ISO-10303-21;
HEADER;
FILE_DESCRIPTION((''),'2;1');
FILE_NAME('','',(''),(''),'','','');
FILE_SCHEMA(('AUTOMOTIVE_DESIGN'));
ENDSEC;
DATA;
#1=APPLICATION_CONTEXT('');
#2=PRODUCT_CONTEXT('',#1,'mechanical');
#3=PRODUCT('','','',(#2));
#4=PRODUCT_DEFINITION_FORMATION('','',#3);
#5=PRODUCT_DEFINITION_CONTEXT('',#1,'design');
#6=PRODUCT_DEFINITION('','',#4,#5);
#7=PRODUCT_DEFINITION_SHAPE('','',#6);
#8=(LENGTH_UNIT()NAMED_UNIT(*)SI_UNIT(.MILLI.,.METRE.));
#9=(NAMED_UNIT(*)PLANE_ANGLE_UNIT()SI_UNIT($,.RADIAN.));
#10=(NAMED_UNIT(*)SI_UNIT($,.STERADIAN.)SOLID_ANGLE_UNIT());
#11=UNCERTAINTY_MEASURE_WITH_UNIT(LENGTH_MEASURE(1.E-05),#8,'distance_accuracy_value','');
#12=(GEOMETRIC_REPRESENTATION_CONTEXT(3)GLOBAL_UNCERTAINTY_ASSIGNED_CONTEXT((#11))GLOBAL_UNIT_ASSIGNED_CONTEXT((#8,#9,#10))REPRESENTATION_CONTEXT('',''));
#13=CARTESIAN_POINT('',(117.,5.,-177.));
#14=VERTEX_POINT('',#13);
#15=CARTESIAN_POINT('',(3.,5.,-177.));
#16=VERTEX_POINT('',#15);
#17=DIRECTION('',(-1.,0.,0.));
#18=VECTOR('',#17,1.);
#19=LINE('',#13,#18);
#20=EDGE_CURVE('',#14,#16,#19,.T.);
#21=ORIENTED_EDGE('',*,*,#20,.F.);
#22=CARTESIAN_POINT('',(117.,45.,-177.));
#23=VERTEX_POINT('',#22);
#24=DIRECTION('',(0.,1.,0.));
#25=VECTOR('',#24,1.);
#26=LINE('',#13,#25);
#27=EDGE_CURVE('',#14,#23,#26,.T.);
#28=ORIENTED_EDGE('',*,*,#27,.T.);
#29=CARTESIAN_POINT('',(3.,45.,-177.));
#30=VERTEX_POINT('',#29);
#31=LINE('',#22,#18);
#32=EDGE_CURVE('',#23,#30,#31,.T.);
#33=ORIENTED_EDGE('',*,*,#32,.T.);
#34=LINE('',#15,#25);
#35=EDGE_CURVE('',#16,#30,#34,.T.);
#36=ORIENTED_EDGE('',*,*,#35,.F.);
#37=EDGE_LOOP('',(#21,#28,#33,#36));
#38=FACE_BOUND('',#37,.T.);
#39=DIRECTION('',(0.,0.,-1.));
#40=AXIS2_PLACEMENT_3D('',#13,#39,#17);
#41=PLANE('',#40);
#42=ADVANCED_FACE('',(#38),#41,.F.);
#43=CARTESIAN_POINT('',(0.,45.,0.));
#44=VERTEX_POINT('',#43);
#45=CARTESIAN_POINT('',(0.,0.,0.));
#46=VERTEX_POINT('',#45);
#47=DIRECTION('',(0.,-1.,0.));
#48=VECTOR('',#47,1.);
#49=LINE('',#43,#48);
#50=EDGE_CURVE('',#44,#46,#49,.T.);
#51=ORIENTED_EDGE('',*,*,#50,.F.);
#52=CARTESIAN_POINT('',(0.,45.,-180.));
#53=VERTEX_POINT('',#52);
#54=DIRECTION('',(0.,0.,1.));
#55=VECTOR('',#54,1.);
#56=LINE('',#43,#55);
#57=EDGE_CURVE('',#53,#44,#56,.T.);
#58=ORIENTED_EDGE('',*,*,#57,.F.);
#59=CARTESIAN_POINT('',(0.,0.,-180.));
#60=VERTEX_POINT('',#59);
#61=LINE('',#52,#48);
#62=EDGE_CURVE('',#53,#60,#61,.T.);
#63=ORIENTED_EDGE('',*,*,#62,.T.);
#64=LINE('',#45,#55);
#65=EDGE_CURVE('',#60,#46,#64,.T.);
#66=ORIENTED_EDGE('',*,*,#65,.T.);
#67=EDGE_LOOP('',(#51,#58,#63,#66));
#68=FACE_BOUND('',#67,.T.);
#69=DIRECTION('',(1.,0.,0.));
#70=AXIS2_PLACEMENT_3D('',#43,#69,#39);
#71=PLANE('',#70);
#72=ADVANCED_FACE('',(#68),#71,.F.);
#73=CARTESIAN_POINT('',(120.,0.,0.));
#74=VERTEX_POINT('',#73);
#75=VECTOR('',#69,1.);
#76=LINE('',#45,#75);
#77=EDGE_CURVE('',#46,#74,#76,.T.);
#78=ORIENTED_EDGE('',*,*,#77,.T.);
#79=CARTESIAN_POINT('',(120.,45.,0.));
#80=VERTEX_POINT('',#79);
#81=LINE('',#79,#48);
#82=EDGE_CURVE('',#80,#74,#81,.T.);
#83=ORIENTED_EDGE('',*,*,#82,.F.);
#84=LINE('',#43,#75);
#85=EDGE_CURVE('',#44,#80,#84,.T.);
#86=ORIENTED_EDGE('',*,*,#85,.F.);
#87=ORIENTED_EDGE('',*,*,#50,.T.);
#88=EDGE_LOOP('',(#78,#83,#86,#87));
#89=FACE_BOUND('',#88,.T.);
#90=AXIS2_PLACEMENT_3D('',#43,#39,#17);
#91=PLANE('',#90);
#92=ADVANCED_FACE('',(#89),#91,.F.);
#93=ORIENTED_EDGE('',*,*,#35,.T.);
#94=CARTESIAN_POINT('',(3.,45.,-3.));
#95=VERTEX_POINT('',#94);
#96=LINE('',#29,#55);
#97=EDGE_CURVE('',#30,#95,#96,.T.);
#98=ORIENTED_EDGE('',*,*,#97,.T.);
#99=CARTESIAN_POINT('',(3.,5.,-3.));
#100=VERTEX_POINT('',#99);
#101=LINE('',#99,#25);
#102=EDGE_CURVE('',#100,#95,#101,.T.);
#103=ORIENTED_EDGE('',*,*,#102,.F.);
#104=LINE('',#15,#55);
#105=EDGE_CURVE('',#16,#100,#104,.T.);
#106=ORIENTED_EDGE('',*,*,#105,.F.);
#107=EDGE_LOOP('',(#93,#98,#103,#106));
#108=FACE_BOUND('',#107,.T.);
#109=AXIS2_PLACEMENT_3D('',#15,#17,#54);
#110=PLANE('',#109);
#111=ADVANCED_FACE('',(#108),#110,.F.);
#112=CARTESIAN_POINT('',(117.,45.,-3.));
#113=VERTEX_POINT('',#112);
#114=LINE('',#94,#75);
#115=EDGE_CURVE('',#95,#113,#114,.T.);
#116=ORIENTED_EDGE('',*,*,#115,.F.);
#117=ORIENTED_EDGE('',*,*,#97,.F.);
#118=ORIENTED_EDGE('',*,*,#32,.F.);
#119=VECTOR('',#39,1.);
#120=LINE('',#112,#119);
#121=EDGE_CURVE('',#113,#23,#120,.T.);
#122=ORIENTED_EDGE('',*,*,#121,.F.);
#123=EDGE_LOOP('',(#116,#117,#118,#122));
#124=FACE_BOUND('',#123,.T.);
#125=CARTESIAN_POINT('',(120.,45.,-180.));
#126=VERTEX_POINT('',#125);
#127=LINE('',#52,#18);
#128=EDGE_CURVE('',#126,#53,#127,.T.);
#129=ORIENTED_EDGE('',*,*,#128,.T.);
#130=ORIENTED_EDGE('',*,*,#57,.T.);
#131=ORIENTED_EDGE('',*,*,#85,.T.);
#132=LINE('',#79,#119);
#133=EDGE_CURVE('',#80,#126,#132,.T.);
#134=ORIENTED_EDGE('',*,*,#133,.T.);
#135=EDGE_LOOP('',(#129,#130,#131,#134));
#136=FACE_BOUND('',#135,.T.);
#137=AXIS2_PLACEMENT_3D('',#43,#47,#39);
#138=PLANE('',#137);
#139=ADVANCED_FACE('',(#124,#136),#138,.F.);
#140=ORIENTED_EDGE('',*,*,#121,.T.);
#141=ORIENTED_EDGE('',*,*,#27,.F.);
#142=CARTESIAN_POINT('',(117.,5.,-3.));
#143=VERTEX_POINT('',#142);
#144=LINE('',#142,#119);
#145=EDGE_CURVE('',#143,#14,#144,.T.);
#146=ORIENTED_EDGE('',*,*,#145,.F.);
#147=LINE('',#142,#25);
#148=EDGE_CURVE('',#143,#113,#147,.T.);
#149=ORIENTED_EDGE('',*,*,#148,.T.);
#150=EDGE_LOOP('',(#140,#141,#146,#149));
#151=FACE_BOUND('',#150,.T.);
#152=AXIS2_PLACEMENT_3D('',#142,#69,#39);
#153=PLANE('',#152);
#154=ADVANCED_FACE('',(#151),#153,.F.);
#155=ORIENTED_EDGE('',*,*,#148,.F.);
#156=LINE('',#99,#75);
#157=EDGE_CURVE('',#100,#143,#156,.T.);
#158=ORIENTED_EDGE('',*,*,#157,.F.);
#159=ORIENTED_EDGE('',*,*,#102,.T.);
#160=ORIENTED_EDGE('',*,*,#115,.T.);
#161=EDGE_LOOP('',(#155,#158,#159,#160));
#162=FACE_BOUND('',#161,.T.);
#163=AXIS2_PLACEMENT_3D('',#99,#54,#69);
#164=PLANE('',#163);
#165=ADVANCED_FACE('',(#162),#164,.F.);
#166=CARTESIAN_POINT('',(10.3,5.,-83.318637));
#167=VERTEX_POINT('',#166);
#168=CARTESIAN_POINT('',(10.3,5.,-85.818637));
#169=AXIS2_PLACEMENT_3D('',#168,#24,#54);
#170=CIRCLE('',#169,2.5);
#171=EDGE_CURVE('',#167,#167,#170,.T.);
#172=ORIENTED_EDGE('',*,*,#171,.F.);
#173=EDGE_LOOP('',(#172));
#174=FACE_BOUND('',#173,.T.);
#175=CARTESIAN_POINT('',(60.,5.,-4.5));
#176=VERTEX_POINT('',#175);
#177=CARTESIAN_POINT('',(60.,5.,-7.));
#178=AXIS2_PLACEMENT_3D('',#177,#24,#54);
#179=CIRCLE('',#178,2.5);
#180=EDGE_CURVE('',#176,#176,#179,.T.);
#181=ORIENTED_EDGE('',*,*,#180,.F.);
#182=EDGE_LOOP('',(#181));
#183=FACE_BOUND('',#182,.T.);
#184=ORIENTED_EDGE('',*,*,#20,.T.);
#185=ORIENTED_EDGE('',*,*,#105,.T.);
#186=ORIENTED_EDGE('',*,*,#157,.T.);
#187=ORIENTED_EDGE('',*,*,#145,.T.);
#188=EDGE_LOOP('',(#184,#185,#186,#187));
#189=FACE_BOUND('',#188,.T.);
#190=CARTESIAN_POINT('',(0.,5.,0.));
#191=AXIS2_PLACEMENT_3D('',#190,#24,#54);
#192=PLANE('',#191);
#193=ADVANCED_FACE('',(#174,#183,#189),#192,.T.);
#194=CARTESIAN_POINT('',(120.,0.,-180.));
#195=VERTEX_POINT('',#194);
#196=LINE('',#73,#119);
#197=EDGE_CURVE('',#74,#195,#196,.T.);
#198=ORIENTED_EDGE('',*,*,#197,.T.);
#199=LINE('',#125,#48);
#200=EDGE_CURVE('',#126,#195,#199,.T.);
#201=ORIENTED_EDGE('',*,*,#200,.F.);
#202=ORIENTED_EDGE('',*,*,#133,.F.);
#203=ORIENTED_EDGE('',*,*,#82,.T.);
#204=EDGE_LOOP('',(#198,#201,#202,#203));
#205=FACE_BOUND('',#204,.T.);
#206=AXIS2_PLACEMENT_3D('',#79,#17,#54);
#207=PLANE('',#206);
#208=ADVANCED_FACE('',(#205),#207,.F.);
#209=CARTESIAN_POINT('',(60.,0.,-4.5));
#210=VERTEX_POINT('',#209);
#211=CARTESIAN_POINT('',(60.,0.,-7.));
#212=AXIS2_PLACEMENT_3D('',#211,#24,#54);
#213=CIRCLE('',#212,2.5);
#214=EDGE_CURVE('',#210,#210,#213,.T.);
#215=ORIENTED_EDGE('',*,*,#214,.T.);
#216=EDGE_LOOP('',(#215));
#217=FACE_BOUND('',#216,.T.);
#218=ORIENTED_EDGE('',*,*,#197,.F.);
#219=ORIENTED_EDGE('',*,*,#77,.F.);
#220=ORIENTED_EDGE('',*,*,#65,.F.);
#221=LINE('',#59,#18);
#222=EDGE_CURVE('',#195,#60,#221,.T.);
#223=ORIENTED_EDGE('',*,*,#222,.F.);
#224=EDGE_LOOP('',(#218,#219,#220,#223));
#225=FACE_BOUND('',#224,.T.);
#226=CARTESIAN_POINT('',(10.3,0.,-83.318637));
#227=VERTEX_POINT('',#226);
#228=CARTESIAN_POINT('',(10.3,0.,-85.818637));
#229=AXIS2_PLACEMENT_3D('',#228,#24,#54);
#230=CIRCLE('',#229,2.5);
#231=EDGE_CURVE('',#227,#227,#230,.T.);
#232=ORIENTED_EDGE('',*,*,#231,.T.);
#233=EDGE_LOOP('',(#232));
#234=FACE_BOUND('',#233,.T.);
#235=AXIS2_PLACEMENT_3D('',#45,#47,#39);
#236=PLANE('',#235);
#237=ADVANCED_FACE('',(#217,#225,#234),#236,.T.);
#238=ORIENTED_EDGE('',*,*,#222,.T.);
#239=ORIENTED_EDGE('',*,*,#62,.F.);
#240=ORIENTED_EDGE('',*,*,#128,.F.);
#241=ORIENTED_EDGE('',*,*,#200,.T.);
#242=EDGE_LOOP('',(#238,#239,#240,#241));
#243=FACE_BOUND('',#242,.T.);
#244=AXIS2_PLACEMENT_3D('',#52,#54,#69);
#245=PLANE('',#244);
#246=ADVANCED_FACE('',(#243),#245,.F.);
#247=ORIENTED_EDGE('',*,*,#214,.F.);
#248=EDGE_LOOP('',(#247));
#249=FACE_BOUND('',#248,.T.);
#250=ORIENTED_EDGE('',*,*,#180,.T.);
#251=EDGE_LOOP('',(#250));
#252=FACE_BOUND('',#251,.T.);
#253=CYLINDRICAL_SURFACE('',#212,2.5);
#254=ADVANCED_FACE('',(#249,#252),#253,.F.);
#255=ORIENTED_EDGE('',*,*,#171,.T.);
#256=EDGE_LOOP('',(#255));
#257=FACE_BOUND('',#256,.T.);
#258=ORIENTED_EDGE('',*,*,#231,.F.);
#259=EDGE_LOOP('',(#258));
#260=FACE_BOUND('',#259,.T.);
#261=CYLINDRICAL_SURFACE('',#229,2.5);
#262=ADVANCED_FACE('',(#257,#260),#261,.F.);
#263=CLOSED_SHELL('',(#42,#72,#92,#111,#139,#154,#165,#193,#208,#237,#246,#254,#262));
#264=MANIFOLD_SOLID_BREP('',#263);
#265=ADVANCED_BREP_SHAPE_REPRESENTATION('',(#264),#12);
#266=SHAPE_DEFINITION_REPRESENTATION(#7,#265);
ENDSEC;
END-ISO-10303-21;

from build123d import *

# Parameters (mm, degrees)
SKETCH1_W           = 120
SKETCH1_H           = 180
BOSS_EXTRUDE1_DEPTH = 45
SKETCH3_W           = 114
SKETCH3_H           = 174
CUT_EXTRUDE1_DEPTH  = 40
SKETCH4_R           = 2.5
CUT_EXTRUDE2_DEPTH  = 5


with BuildPart() as part:
    # Sketch1 → Boss-Extrude1 (new body)
    with BuildSketch(Plane(origin=(0, 0, 0), x_dir=(1, 0, 0), z_dir=(0, 1, 0))):
        with Locations((60, 90)):
            Rectangle(SKETCH1_W, SKETCH1_H)
    extrude(amount=BOSS_EXTRUDE1_DEPTH)

    # Sketch3 → Cut-Extrude1 (cut)
    with BuildSketch(Plane(origin=(0, 45, 0), x_dir=(1, 0, 0), z_dir=(0, 1, 0))):
        with Locations((60, 90)):
            Rectangle(SKETCH3_W, SKETCH3_H)
    extrude(amount=-CUT_EXTRUDE1_DEPTH, mode=Mode.SUBTRACT)

    # Sketch4 → Cut-Extrude2 (cut)
    with BuildSketch(Plane(origin=(0, 5, 0), x_dir=(1, 0, 0), z_dir=(0, 1, 0))):
        with Locations(Location((10.3, 85.818636822, 0), (0, 0, 270))):
            Circle(SKETCH4_R)
        with Locations(Location((60, 7, 0), (0, 0, 270))):
            Circle(SKETCH4_R)
    extrude(amount=-CUT_EXTRUDE2_DEPTH, mode=Mode.SUBTRACT)


solid = part.part
